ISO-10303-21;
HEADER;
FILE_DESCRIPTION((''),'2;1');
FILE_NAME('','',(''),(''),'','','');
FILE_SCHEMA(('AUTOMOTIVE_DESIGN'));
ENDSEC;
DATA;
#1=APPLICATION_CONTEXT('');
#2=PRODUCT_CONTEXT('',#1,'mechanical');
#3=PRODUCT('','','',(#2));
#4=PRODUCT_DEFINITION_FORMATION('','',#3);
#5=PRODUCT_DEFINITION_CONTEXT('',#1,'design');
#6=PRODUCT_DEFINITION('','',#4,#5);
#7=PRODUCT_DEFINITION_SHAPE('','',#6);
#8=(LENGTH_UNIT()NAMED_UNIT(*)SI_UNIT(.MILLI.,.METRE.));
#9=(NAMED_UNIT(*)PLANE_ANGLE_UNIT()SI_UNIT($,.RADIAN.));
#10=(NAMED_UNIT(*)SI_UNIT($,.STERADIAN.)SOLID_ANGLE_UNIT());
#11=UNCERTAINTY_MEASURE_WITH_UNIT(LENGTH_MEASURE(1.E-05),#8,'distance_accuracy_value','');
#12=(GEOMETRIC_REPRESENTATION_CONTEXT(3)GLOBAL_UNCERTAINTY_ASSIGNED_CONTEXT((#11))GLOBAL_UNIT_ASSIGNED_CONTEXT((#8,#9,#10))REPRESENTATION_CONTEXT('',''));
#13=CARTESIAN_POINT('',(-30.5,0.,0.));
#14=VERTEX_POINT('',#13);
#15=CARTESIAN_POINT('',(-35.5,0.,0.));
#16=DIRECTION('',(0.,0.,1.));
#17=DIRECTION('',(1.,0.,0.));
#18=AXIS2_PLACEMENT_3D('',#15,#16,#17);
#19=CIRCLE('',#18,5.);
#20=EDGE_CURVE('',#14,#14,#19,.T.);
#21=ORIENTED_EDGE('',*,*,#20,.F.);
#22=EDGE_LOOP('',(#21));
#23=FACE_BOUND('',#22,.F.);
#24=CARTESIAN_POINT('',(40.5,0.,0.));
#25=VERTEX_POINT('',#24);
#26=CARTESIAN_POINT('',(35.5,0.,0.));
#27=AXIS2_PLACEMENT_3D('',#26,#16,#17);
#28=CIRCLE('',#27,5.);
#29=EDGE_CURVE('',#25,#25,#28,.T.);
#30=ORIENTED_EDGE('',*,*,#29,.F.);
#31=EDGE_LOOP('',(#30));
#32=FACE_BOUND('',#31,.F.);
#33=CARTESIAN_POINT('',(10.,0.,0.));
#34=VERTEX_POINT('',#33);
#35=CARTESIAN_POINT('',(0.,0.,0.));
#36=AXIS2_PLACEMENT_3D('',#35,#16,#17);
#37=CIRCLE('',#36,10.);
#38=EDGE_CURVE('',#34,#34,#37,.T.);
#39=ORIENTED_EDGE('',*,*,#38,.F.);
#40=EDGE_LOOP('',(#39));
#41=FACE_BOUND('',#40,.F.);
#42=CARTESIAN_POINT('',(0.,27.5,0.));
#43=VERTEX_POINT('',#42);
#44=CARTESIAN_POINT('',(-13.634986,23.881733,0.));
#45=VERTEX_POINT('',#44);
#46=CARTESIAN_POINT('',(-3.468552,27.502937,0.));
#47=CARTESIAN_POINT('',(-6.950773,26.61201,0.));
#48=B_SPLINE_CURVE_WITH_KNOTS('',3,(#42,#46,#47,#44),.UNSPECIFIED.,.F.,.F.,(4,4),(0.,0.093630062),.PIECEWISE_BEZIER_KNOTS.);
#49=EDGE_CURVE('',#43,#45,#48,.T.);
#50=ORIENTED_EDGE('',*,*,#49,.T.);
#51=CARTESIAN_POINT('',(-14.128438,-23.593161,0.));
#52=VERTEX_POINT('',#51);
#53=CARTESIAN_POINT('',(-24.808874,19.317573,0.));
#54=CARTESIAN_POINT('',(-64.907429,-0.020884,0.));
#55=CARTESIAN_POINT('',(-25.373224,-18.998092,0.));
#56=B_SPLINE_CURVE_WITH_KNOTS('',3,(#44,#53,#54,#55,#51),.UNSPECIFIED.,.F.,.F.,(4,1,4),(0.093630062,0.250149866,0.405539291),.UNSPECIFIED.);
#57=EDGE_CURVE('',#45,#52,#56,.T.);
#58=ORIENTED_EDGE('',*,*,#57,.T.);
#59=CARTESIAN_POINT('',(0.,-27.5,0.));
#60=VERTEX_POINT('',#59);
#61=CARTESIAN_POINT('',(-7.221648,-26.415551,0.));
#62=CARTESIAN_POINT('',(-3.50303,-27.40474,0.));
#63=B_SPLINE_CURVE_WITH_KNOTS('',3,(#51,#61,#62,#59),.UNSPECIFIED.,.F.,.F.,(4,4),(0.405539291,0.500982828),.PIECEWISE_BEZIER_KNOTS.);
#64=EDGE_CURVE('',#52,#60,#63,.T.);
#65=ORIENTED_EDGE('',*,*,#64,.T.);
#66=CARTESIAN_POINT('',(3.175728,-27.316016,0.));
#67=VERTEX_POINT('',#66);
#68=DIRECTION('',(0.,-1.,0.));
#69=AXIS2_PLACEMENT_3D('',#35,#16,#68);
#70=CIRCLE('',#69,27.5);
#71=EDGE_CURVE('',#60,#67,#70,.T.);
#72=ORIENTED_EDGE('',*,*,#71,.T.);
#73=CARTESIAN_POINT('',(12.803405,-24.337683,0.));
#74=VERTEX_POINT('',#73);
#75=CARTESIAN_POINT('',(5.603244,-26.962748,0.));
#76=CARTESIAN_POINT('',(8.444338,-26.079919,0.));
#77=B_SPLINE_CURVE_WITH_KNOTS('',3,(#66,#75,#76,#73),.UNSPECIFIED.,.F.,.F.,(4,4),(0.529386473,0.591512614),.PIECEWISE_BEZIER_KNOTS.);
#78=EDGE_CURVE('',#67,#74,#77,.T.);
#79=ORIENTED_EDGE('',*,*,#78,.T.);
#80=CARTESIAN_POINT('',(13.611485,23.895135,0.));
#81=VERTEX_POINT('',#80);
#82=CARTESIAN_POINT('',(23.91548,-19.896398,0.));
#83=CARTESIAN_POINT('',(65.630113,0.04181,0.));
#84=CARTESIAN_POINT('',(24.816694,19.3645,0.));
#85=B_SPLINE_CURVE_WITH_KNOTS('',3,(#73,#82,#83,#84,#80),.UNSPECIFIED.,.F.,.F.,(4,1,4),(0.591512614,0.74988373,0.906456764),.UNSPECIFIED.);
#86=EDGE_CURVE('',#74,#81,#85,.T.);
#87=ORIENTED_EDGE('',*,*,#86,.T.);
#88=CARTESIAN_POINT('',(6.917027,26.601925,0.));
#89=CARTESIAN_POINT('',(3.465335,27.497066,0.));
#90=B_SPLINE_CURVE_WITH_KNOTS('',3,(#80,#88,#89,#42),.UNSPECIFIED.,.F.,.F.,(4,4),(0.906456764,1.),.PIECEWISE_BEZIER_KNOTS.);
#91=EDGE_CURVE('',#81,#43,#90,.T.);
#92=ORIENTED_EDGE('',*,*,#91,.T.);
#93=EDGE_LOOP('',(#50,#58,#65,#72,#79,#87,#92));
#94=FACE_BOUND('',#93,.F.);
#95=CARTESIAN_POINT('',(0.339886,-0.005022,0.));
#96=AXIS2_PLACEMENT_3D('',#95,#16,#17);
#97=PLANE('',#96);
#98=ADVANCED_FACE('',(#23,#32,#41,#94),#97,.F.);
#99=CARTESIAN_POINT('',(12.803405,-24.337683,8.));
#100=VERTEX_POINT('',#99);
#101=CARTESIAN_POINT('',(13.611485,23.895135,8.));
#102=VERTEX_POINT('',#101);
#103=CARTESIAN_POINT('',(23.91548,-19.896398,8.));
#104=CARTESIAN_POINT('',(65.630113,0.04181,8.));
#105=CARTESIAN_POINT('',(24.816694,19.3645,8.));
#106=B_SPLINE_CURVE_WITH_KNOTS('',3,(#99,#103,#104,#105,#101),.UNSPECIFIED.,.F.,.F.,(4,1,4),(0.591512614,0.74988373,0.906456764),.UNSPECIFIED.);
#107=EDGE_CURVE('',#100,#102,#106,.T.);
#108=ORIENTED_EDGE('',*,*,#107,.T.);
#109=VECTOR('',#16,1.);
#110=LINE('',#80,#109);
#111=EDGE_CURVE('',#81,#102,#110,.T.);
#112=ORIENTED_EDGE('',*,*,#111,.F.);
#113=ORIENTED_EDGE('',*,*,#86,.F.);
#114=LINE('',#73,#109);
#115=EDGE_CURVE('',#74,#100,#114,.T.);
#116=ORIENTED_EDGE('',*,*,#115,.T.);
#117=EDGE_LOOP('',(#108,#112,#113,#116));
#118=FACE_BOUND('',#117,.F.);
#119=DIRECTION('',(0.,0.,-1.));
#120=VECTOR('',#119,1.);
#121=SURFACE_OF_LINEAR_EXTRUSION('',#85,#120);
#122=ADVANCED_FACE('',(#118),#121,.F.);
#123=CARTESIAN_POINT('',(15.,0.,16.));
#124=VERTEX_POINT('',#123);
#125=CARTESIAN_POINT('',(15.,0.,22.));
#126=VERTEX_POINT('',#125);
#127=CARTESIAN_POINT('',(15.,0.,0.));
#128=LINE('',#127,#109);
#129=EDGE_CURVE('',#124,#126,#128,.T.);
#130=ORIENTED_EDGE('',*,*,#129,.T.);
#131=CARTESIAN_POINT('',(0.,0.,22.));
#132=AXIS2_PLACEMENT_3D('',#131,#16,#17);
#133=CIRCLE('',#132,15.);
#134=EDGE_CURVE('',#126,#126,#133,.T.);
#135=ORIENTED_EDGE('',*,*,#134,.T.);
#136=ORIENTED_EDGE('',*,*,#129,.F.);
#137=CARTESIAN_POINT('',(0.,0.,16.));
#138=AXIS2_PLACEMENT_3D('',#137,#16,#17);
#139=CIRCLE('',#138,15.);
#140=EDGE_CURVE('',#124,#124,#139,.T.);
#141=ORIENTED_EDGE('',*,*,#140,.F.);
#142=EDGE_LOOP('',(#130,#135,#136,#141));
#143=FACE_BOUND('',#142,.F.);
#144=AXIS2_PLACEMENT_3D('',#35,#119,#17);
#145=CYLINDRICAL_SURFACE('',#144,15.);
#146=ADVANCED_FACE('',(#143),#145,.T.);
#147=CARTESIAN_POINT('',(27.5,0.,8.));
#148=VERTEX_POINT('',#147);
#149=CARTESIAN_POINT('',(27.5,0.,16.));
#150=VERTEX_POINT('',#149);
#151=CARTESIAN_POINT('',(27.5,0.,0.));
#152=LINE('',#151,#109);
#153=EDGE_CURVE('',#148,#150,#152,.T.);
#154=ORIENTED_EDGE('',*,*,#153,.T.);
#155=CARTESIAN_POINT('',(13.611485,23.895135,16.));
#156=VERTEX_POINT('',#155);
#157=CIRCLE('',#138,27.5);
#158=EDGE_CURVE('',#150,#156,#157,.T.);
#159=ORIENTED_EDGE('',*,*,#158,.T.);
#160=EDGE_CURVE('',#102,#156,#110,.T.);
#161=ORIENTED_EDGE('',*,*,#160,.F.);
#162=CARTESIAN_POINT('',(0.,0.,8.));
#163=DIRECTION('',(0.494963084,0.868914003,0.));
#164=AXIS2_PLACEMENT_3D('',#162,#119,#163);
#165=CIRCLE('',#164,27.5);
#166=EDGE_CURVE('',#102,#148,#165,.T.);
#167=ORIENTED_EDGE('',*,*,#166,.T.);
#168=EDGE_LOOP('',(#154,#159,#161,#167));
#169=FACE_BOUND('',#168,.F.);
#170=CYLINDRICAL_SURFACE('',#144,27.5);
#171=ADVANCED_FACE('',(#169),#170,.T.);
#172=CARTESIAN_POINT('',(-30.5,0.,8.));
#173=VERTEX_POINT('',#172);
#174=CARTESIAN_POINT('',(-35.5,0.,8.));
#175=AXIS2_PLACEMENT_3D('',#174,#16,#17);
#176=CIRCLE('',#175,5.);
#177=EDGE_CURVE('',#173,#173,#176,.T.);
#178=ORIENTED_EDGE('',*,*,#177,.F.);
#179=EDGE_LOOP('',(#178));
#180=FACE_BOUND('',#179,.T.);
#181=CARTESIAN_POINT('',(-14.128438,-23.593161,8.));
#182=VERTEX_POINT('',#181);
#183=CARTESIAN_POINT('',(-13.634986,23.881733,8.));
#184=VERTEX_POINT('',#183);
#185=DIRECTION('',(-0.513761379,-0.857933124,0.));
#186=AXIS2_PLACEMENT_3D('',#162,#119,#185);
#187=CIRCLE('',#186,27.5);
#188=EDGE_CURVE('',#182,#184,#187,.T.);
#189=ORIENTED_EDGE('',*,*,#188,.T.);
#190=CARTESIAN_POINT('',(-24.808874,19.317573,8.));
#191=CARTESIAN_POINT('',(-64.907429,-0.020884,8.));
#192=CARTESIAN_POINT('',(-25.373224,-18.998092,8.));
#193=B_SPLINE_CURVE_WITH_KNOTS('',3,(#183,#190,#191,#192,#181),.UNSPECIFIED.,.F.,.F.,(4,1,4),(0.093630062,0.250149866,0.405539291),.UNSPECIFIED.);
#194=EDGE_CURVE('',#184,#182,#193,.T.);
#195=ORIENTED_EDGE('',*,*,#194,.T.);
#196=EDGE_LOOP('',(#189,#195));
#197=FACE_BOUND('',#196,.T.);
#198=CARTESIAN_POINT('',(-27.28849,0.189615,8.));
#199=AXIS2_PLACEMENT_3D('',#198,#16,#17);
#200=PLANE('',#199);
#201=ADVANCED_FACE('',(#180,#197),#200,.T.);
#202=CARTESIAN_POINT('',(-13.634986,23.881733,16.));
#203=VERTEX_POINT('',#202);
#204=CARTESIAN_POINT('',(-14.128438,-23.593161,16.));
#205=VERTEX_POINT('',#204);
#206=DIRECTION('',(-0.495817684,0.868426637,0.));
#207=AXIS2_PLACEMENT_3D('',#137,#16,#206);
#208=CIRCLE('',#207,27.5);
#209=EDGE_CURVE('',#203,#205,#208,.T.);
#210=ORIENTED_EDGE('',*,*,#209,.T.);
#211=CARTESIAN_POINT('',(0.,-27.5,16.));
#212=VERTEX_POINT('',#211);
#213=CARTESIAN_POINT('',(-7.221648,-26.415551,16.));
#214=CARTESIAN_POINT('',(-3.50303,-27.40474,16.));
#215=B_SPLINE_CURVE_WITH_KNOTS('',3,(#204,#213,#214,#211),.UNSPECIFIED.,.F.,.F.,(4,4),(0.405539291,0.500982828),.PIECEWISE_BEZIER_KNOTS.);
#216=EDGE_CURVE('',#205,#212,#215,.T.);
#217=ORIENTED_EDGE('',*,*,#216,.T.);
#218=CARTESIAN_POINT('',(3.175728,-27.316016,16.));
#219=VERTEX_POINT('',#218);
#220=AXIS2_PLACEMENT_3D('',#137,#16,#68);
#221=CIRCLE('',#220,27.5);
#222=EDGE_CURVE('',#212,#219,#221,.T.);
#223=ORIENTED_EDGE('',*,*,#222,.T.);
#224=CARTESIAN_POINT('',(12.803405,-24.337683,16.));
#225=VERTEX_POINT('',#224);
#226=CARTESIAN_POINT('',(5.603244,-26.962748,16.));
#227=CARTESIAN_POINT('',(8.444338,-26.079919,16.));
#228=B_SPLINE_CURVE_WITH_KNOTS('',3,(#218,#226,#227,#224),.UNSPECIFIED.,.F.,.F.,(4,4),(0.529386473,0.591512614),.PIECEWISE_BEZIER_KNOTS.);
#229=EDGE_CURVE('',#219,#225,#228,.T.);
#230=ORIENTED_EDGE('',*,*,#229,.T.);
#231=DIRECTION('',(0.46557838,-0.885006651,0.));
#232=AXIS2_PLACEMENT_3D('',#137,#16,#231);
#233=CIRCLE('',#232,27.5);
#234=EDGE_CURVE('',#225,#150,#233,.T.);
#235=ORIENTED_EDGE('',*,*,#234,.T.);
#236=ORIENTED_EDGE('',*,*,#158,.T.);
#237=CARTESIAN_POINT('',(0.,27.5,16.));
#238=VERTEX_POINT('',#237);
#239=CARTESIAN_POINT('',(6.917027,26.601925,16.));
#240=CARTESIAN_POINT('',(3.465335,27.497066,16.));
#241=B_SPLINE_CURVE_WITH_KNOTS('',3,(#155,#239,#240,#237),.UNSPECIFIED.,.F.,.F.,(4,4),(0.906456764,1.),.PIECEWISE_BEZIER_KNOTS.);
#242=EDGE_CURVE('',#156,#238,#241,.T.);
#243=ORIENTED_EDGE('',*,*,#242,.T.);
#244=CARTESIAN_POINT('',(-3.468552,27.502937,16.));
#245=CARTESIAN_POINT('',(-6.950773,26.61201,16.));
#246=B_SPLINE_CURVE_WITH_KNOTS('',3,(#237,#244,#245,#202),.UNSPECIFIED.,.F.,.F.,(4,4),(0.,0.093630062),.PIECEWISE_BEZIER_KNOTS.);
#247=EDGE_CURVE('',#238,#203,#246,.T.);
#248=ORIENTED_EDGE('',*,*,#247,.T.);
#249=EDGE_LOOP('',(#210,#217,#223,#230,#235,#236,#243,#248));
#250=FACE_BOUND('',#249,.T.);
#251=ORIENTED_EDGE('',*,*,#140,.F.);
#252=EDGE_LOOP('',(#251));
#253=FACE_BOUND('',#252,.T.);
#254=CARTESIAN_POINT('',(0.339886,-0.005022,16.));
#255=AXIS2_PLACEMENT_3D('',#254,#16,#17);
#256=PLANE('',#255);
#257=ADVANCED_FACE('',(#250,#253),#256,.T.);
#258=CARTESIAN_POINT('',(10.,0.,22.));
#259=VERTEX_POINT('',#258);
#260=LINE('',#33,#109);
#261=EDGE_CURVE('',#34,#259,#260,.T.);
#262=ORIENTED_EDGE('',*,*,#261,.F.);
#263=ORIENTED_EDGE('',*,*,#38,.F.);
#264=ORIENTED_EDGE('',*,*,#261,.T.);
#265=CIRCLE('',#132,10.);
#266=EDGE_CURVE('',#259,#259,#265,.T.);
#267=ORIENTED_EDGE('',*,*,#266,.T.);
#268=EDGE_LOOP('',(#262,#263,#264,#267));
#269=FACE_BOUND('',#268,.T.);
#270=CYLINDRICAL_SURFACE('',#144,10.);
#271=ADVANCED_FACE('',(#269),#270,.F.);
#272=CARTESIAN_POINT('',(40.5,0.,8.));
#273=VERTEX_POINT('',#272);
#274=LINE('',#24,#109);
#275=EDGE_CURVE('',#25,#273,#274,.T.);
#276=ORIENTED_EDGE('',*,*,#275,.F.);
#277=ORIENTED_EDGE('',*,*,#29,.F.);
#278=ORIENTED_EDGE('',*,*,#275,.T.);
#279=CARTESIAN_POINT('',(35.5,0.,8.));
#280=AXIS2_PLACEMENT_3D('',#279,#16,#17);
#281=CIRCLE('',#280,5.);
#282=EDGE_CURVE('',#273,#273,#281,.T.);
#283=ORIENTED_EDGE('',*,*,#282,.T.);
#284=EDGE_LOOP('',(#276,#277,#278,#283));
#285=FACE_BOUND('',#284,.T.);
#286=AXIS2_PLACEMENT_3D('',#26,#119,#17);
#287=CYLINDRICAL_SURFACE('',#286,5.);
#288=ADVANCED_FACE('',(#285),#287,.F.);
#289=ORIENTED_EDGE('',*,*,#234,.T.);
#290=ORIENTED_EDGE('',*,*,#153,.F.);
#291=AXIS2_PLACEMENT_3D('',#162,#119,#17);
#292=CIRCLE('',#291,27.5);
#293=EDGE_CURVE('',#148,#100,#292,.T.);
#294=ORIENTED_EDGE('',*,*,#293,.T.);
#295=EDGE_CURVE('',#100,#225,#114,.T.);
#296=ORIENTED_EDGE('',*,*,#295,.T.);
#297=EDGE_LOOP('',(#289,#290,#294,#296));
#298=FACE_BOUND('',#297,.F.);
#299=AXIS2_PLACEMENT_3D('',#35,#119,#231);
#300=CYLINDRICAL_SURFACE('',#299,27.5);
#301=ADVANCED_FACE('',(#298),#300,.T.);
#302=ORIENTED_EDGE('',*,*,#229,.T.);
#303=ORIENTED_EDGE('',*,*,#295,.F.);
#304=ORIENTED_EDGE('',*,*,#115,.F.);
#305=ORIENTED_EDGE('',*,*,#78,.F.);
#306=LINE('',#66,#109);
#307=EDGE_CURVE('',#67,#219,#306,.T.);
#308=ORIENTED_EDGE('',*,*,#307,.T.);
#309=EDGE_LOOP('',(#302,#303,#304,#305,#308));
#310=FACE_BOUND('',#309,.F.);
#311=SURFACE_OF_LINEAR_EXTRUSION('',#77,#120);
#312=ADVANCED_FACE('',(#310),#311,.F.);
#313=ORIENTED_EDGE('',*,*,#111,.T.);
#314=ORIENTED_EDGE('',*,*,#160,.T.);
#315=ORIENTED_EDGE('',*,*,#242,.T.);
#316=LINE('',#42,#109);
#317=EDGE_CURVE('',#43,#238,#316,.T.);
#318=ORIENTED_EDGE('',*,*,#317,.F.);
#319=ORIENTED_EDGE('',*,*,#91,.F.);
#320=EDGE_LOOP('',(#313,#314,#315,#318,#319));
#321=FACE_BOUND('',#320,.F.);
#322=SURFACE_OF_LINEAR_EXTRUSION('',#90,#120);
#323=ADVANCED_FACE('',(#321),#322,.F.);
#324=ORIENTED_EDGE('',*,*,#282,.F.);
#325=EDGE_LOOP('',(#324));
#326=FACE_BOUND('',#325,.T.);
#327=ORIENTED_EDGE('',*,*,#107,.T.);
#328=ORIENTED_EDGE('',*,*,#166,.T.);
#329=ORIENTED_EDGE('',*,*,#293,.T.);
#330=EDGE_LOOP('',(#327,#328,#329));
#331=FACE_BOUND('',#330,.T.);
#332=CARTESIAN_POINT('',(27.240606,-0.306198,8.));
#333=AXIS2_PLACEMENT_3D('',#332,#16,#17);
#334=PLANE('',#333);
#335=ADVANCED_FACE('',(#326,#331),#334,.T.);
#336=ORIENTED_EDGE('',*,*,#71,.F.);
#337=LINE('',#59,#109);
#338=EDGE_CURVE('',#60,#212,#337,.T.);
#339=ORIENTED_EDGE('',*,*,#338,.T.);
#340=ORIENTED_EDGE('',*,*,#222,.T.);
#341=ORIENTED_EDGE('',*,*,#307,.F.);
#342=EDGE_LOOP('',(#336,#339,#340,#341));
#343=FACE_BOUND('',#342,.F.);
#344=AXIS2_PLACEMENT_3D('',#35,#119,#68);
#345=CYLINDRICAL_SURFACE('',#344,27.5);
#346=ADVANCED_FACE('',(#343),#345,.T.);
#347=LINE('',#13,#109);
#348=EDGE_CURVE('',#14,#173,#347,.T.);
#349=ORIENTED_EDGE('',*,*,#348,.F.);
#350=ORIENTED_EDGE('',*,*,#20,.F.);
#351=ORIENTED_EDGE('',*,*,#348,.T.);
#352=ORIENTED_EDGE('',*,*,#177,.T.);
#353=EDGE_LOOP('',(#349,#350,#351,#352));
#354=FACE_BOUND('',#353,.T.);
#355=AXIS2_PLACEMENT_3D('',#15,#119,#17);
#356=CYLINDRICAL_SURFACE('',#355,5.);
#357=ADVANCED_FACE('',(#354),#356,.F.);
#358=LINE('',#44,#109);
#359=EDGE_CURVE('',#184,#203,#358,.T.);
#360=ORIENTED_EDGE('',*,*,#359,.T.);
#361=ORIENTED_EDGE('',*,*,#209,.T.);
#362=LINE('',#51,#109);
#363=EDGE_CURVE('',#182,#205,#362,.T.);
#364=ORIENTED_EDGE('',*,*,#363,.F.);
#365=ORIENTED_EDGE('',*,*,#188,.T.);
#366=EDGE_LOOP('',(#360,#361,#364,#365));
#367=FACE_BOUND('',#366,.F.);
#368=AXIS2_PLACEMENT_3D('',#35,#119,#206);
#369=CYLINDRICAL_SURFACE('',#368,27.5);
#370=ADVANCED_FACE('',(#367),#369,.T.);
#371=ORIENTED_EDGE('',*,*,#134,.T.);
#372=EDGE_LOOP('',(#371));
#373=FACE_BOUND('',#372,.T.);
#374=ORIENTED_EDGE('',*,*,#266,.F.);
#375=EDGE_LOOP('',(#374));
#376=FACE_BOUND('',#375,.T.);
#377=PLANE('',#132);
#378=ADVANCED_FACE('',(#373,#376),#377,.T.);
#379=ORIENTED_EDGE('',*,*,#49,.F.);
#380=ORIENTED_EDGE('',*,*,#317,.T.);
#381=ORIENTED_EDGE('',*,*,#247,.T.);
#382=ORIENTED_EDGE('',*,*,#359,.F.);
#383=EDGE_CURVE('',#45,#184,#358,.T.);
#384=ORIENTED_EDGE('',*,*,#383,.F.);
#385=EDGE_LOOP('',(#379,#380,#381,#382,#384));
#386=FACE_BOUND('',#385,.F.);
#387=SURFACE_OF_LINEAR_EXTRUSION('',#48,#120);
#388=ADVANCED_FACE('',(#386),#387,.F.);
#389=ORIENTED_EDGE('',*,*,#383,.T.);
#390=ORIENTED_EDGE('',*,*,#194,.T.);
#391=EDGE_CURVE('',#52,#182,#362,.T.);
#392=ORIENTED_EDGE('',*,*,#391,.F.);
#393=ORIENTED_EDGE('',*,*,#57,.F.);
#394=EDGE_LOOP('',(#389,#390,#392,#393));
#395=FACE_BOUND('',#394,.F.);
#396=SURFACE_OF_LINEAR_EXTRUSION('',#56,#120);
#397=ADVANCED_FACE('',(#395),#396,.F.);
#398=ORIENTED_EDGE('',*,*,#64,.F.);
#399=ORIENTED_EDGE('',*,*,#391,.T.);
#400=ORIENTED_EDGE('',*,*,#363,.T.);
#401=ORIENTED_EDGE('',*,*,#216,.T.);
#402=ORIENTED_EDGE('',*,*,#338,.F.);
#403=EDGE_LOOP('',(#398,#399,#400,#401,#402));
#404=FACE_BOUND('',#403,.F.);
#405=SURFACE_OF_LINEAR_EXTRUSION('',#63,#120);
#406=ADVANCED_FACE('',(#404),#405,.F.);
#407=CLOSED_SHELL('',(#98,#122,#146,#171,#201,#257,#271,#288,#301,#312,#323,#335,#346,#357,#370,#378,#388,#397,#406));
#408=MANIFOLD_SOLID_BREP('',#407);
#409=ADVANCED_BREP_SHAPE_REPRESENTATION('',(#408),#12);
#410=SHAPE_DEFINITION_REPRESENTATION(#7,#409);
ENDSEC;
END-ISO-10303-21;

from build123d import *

# Parameters (mm, degrees)
F0_R     = 5
F1_DEPTH = 8
F0_R_2   = 15
F2_DEPTH = 16
F0_R_3   = 10
F3_DEPTH = 22


with BuildPart() as f1:
    # F0 (on Top) → F1 (new body)
    with BuildSketch(Plane.XY):
        with BuildLine():
            ThreePointArc((-14.128437921, -23.593160914), (-27.4985146505, 0.2858181561), (-13.6349863045, 23.8817325267))
            add(Edge.make_bspline(
                [(-13.6349863045, 23.8817325267), (-24.80887432, 19.3175732433), (-64.9074286316, -0.0208843712), (-25.3732238209, -18.9980920778), (-14.128437921, -23.593160914)],
                knots=[0.0936300618, 0.0936300618, 0.0936300618, 0.0936300618, 0.2501498665, 0.4055392908, 0.4055392908, 0.4055392908, 0.4055392908], degree=3))
        make_face()
        with Locations((-35.5, 0)):
            Circle(F0_R, mode=Mode.SUBTRACT)
    extrude(amount=F1_DEPTH)



with BuildPart() as f1b:
    # F0 (on Top) → F1, piece 2 (new body)
    with BuildSketch(Plane.XY):
        with BuildLine():
            add(Edge.make_bspline(
                [(12.8034054524, -24.3376828976), (23.9154797228, -19.8963977435), (65.6301130949, 0.0418102706), (24.8166936559, 19.3644997944), (13.6114848151, 23.8951350933)],
                knots=[0.5915126143, 0.5915126143, 0.5915126143, 0.5915126143, 0.7498837302, 0.9064567635, 0.9064567635, 0.9064567635, 0.9064567635], degree=3))
            ThreePointArc((13.6114848151, 23.8951350933), (23.7756790904, 13.8190840432), (27.5, 0))
            ThreePointArc((27.5, 0), (23.5408543806, -14.2154203255), (12.8034054524, -24.3376828976))
        make_face()
        with Locations((35.5, 0)):
            Circle(F0_R, mode=Mode.SUBTRACT)
    extrude(amount=F1_DEPTH)


with BuildPart() as f1_1:
    add(f1.part)

    add(f1b.part)  # F2 merges F1b
    # F0 (on Top) → F2 (join)
    with BuildSketch(Plane.XY):
        with BuildLine():
            add(Edge.make_bspline(
                [(13.6114848151, 23.8951350933), (6.9170274268, 26.6019248892), (3.4653354317, 27.4970657947), (0, 27.5)],
                knots=[0.9064567635, 0.9064567635, 0.9064567635, 0.9064567635, 1, 1, 1, 1], degree=3))
            add(Edge.make_bspline(
                [(0, 27.5), (-3.4685519028, 27.5029369288), (-6.9507725812, 26.6120101235), (-13.6349863045, 23.8817325267)],
                knots=[0, 0, 0, 0, 0.0936300618, 0.0936300618, 0.0936300618, 0.0936300618], degree=3))
            ThreePointArc((-13.6349863045, 23.8817325267), (-27.4985146505, 0.2858181561), (-14.128437921, -23.593160914))
            add(Edge.make_bspline(
                [(-14.128437921, -23.593160914), (-7.2216478267, -26.4155513269), (-3.503029764, -27.4047401273), (0, -27.5)],
                knots=[0.4055392908, 0.4055392908, 0.4055392908, 0.4055392908, 0.5009828275, 0.5009828275, 0.5009828275, 0.5009828275], degree=3))
            ThreePointArc((0, -27.5), (1.5905265483, -27.453965566), (3.1757280792, -27.3160163854))
            add(Edge.make_bspline(
                [(3.1757280792, -27.3160163854), (5.6032444341, -26.9627476234), (8.4443384991, -26.079919214), (12.8034054524, -24.3376828976)],
                knots=[0.5293864729, 0.5293864729, 0.5293864729, 0.5293864729, 0.5915126143, 0.5915126143, 0.5915126143, 0.5915126143], degree=3))
            ThreePointArc((12.8034054524, -24.3376828976), (23.5408543806, -14.2154203255), (27.5, 0))
            ThreePointArc((27.5, 0), (23.7756790904, 13.8190840432), (13.6114848151, 23.8951350933))
        make_face()
        Circle(F0_R_2, mode=Mode.SUBTRACT)
    extrude(amount=F2_DEPTH)

    # F0 (on Top) → F3 (join)
    with BuildSketch(Plane.XY):
        Circle(F0_R_2)
        Circle(F0_R_3, mode=Mode.SUBTRACT)
    extrude(amount=F3_DEPTH)


solid = f1_1.part
